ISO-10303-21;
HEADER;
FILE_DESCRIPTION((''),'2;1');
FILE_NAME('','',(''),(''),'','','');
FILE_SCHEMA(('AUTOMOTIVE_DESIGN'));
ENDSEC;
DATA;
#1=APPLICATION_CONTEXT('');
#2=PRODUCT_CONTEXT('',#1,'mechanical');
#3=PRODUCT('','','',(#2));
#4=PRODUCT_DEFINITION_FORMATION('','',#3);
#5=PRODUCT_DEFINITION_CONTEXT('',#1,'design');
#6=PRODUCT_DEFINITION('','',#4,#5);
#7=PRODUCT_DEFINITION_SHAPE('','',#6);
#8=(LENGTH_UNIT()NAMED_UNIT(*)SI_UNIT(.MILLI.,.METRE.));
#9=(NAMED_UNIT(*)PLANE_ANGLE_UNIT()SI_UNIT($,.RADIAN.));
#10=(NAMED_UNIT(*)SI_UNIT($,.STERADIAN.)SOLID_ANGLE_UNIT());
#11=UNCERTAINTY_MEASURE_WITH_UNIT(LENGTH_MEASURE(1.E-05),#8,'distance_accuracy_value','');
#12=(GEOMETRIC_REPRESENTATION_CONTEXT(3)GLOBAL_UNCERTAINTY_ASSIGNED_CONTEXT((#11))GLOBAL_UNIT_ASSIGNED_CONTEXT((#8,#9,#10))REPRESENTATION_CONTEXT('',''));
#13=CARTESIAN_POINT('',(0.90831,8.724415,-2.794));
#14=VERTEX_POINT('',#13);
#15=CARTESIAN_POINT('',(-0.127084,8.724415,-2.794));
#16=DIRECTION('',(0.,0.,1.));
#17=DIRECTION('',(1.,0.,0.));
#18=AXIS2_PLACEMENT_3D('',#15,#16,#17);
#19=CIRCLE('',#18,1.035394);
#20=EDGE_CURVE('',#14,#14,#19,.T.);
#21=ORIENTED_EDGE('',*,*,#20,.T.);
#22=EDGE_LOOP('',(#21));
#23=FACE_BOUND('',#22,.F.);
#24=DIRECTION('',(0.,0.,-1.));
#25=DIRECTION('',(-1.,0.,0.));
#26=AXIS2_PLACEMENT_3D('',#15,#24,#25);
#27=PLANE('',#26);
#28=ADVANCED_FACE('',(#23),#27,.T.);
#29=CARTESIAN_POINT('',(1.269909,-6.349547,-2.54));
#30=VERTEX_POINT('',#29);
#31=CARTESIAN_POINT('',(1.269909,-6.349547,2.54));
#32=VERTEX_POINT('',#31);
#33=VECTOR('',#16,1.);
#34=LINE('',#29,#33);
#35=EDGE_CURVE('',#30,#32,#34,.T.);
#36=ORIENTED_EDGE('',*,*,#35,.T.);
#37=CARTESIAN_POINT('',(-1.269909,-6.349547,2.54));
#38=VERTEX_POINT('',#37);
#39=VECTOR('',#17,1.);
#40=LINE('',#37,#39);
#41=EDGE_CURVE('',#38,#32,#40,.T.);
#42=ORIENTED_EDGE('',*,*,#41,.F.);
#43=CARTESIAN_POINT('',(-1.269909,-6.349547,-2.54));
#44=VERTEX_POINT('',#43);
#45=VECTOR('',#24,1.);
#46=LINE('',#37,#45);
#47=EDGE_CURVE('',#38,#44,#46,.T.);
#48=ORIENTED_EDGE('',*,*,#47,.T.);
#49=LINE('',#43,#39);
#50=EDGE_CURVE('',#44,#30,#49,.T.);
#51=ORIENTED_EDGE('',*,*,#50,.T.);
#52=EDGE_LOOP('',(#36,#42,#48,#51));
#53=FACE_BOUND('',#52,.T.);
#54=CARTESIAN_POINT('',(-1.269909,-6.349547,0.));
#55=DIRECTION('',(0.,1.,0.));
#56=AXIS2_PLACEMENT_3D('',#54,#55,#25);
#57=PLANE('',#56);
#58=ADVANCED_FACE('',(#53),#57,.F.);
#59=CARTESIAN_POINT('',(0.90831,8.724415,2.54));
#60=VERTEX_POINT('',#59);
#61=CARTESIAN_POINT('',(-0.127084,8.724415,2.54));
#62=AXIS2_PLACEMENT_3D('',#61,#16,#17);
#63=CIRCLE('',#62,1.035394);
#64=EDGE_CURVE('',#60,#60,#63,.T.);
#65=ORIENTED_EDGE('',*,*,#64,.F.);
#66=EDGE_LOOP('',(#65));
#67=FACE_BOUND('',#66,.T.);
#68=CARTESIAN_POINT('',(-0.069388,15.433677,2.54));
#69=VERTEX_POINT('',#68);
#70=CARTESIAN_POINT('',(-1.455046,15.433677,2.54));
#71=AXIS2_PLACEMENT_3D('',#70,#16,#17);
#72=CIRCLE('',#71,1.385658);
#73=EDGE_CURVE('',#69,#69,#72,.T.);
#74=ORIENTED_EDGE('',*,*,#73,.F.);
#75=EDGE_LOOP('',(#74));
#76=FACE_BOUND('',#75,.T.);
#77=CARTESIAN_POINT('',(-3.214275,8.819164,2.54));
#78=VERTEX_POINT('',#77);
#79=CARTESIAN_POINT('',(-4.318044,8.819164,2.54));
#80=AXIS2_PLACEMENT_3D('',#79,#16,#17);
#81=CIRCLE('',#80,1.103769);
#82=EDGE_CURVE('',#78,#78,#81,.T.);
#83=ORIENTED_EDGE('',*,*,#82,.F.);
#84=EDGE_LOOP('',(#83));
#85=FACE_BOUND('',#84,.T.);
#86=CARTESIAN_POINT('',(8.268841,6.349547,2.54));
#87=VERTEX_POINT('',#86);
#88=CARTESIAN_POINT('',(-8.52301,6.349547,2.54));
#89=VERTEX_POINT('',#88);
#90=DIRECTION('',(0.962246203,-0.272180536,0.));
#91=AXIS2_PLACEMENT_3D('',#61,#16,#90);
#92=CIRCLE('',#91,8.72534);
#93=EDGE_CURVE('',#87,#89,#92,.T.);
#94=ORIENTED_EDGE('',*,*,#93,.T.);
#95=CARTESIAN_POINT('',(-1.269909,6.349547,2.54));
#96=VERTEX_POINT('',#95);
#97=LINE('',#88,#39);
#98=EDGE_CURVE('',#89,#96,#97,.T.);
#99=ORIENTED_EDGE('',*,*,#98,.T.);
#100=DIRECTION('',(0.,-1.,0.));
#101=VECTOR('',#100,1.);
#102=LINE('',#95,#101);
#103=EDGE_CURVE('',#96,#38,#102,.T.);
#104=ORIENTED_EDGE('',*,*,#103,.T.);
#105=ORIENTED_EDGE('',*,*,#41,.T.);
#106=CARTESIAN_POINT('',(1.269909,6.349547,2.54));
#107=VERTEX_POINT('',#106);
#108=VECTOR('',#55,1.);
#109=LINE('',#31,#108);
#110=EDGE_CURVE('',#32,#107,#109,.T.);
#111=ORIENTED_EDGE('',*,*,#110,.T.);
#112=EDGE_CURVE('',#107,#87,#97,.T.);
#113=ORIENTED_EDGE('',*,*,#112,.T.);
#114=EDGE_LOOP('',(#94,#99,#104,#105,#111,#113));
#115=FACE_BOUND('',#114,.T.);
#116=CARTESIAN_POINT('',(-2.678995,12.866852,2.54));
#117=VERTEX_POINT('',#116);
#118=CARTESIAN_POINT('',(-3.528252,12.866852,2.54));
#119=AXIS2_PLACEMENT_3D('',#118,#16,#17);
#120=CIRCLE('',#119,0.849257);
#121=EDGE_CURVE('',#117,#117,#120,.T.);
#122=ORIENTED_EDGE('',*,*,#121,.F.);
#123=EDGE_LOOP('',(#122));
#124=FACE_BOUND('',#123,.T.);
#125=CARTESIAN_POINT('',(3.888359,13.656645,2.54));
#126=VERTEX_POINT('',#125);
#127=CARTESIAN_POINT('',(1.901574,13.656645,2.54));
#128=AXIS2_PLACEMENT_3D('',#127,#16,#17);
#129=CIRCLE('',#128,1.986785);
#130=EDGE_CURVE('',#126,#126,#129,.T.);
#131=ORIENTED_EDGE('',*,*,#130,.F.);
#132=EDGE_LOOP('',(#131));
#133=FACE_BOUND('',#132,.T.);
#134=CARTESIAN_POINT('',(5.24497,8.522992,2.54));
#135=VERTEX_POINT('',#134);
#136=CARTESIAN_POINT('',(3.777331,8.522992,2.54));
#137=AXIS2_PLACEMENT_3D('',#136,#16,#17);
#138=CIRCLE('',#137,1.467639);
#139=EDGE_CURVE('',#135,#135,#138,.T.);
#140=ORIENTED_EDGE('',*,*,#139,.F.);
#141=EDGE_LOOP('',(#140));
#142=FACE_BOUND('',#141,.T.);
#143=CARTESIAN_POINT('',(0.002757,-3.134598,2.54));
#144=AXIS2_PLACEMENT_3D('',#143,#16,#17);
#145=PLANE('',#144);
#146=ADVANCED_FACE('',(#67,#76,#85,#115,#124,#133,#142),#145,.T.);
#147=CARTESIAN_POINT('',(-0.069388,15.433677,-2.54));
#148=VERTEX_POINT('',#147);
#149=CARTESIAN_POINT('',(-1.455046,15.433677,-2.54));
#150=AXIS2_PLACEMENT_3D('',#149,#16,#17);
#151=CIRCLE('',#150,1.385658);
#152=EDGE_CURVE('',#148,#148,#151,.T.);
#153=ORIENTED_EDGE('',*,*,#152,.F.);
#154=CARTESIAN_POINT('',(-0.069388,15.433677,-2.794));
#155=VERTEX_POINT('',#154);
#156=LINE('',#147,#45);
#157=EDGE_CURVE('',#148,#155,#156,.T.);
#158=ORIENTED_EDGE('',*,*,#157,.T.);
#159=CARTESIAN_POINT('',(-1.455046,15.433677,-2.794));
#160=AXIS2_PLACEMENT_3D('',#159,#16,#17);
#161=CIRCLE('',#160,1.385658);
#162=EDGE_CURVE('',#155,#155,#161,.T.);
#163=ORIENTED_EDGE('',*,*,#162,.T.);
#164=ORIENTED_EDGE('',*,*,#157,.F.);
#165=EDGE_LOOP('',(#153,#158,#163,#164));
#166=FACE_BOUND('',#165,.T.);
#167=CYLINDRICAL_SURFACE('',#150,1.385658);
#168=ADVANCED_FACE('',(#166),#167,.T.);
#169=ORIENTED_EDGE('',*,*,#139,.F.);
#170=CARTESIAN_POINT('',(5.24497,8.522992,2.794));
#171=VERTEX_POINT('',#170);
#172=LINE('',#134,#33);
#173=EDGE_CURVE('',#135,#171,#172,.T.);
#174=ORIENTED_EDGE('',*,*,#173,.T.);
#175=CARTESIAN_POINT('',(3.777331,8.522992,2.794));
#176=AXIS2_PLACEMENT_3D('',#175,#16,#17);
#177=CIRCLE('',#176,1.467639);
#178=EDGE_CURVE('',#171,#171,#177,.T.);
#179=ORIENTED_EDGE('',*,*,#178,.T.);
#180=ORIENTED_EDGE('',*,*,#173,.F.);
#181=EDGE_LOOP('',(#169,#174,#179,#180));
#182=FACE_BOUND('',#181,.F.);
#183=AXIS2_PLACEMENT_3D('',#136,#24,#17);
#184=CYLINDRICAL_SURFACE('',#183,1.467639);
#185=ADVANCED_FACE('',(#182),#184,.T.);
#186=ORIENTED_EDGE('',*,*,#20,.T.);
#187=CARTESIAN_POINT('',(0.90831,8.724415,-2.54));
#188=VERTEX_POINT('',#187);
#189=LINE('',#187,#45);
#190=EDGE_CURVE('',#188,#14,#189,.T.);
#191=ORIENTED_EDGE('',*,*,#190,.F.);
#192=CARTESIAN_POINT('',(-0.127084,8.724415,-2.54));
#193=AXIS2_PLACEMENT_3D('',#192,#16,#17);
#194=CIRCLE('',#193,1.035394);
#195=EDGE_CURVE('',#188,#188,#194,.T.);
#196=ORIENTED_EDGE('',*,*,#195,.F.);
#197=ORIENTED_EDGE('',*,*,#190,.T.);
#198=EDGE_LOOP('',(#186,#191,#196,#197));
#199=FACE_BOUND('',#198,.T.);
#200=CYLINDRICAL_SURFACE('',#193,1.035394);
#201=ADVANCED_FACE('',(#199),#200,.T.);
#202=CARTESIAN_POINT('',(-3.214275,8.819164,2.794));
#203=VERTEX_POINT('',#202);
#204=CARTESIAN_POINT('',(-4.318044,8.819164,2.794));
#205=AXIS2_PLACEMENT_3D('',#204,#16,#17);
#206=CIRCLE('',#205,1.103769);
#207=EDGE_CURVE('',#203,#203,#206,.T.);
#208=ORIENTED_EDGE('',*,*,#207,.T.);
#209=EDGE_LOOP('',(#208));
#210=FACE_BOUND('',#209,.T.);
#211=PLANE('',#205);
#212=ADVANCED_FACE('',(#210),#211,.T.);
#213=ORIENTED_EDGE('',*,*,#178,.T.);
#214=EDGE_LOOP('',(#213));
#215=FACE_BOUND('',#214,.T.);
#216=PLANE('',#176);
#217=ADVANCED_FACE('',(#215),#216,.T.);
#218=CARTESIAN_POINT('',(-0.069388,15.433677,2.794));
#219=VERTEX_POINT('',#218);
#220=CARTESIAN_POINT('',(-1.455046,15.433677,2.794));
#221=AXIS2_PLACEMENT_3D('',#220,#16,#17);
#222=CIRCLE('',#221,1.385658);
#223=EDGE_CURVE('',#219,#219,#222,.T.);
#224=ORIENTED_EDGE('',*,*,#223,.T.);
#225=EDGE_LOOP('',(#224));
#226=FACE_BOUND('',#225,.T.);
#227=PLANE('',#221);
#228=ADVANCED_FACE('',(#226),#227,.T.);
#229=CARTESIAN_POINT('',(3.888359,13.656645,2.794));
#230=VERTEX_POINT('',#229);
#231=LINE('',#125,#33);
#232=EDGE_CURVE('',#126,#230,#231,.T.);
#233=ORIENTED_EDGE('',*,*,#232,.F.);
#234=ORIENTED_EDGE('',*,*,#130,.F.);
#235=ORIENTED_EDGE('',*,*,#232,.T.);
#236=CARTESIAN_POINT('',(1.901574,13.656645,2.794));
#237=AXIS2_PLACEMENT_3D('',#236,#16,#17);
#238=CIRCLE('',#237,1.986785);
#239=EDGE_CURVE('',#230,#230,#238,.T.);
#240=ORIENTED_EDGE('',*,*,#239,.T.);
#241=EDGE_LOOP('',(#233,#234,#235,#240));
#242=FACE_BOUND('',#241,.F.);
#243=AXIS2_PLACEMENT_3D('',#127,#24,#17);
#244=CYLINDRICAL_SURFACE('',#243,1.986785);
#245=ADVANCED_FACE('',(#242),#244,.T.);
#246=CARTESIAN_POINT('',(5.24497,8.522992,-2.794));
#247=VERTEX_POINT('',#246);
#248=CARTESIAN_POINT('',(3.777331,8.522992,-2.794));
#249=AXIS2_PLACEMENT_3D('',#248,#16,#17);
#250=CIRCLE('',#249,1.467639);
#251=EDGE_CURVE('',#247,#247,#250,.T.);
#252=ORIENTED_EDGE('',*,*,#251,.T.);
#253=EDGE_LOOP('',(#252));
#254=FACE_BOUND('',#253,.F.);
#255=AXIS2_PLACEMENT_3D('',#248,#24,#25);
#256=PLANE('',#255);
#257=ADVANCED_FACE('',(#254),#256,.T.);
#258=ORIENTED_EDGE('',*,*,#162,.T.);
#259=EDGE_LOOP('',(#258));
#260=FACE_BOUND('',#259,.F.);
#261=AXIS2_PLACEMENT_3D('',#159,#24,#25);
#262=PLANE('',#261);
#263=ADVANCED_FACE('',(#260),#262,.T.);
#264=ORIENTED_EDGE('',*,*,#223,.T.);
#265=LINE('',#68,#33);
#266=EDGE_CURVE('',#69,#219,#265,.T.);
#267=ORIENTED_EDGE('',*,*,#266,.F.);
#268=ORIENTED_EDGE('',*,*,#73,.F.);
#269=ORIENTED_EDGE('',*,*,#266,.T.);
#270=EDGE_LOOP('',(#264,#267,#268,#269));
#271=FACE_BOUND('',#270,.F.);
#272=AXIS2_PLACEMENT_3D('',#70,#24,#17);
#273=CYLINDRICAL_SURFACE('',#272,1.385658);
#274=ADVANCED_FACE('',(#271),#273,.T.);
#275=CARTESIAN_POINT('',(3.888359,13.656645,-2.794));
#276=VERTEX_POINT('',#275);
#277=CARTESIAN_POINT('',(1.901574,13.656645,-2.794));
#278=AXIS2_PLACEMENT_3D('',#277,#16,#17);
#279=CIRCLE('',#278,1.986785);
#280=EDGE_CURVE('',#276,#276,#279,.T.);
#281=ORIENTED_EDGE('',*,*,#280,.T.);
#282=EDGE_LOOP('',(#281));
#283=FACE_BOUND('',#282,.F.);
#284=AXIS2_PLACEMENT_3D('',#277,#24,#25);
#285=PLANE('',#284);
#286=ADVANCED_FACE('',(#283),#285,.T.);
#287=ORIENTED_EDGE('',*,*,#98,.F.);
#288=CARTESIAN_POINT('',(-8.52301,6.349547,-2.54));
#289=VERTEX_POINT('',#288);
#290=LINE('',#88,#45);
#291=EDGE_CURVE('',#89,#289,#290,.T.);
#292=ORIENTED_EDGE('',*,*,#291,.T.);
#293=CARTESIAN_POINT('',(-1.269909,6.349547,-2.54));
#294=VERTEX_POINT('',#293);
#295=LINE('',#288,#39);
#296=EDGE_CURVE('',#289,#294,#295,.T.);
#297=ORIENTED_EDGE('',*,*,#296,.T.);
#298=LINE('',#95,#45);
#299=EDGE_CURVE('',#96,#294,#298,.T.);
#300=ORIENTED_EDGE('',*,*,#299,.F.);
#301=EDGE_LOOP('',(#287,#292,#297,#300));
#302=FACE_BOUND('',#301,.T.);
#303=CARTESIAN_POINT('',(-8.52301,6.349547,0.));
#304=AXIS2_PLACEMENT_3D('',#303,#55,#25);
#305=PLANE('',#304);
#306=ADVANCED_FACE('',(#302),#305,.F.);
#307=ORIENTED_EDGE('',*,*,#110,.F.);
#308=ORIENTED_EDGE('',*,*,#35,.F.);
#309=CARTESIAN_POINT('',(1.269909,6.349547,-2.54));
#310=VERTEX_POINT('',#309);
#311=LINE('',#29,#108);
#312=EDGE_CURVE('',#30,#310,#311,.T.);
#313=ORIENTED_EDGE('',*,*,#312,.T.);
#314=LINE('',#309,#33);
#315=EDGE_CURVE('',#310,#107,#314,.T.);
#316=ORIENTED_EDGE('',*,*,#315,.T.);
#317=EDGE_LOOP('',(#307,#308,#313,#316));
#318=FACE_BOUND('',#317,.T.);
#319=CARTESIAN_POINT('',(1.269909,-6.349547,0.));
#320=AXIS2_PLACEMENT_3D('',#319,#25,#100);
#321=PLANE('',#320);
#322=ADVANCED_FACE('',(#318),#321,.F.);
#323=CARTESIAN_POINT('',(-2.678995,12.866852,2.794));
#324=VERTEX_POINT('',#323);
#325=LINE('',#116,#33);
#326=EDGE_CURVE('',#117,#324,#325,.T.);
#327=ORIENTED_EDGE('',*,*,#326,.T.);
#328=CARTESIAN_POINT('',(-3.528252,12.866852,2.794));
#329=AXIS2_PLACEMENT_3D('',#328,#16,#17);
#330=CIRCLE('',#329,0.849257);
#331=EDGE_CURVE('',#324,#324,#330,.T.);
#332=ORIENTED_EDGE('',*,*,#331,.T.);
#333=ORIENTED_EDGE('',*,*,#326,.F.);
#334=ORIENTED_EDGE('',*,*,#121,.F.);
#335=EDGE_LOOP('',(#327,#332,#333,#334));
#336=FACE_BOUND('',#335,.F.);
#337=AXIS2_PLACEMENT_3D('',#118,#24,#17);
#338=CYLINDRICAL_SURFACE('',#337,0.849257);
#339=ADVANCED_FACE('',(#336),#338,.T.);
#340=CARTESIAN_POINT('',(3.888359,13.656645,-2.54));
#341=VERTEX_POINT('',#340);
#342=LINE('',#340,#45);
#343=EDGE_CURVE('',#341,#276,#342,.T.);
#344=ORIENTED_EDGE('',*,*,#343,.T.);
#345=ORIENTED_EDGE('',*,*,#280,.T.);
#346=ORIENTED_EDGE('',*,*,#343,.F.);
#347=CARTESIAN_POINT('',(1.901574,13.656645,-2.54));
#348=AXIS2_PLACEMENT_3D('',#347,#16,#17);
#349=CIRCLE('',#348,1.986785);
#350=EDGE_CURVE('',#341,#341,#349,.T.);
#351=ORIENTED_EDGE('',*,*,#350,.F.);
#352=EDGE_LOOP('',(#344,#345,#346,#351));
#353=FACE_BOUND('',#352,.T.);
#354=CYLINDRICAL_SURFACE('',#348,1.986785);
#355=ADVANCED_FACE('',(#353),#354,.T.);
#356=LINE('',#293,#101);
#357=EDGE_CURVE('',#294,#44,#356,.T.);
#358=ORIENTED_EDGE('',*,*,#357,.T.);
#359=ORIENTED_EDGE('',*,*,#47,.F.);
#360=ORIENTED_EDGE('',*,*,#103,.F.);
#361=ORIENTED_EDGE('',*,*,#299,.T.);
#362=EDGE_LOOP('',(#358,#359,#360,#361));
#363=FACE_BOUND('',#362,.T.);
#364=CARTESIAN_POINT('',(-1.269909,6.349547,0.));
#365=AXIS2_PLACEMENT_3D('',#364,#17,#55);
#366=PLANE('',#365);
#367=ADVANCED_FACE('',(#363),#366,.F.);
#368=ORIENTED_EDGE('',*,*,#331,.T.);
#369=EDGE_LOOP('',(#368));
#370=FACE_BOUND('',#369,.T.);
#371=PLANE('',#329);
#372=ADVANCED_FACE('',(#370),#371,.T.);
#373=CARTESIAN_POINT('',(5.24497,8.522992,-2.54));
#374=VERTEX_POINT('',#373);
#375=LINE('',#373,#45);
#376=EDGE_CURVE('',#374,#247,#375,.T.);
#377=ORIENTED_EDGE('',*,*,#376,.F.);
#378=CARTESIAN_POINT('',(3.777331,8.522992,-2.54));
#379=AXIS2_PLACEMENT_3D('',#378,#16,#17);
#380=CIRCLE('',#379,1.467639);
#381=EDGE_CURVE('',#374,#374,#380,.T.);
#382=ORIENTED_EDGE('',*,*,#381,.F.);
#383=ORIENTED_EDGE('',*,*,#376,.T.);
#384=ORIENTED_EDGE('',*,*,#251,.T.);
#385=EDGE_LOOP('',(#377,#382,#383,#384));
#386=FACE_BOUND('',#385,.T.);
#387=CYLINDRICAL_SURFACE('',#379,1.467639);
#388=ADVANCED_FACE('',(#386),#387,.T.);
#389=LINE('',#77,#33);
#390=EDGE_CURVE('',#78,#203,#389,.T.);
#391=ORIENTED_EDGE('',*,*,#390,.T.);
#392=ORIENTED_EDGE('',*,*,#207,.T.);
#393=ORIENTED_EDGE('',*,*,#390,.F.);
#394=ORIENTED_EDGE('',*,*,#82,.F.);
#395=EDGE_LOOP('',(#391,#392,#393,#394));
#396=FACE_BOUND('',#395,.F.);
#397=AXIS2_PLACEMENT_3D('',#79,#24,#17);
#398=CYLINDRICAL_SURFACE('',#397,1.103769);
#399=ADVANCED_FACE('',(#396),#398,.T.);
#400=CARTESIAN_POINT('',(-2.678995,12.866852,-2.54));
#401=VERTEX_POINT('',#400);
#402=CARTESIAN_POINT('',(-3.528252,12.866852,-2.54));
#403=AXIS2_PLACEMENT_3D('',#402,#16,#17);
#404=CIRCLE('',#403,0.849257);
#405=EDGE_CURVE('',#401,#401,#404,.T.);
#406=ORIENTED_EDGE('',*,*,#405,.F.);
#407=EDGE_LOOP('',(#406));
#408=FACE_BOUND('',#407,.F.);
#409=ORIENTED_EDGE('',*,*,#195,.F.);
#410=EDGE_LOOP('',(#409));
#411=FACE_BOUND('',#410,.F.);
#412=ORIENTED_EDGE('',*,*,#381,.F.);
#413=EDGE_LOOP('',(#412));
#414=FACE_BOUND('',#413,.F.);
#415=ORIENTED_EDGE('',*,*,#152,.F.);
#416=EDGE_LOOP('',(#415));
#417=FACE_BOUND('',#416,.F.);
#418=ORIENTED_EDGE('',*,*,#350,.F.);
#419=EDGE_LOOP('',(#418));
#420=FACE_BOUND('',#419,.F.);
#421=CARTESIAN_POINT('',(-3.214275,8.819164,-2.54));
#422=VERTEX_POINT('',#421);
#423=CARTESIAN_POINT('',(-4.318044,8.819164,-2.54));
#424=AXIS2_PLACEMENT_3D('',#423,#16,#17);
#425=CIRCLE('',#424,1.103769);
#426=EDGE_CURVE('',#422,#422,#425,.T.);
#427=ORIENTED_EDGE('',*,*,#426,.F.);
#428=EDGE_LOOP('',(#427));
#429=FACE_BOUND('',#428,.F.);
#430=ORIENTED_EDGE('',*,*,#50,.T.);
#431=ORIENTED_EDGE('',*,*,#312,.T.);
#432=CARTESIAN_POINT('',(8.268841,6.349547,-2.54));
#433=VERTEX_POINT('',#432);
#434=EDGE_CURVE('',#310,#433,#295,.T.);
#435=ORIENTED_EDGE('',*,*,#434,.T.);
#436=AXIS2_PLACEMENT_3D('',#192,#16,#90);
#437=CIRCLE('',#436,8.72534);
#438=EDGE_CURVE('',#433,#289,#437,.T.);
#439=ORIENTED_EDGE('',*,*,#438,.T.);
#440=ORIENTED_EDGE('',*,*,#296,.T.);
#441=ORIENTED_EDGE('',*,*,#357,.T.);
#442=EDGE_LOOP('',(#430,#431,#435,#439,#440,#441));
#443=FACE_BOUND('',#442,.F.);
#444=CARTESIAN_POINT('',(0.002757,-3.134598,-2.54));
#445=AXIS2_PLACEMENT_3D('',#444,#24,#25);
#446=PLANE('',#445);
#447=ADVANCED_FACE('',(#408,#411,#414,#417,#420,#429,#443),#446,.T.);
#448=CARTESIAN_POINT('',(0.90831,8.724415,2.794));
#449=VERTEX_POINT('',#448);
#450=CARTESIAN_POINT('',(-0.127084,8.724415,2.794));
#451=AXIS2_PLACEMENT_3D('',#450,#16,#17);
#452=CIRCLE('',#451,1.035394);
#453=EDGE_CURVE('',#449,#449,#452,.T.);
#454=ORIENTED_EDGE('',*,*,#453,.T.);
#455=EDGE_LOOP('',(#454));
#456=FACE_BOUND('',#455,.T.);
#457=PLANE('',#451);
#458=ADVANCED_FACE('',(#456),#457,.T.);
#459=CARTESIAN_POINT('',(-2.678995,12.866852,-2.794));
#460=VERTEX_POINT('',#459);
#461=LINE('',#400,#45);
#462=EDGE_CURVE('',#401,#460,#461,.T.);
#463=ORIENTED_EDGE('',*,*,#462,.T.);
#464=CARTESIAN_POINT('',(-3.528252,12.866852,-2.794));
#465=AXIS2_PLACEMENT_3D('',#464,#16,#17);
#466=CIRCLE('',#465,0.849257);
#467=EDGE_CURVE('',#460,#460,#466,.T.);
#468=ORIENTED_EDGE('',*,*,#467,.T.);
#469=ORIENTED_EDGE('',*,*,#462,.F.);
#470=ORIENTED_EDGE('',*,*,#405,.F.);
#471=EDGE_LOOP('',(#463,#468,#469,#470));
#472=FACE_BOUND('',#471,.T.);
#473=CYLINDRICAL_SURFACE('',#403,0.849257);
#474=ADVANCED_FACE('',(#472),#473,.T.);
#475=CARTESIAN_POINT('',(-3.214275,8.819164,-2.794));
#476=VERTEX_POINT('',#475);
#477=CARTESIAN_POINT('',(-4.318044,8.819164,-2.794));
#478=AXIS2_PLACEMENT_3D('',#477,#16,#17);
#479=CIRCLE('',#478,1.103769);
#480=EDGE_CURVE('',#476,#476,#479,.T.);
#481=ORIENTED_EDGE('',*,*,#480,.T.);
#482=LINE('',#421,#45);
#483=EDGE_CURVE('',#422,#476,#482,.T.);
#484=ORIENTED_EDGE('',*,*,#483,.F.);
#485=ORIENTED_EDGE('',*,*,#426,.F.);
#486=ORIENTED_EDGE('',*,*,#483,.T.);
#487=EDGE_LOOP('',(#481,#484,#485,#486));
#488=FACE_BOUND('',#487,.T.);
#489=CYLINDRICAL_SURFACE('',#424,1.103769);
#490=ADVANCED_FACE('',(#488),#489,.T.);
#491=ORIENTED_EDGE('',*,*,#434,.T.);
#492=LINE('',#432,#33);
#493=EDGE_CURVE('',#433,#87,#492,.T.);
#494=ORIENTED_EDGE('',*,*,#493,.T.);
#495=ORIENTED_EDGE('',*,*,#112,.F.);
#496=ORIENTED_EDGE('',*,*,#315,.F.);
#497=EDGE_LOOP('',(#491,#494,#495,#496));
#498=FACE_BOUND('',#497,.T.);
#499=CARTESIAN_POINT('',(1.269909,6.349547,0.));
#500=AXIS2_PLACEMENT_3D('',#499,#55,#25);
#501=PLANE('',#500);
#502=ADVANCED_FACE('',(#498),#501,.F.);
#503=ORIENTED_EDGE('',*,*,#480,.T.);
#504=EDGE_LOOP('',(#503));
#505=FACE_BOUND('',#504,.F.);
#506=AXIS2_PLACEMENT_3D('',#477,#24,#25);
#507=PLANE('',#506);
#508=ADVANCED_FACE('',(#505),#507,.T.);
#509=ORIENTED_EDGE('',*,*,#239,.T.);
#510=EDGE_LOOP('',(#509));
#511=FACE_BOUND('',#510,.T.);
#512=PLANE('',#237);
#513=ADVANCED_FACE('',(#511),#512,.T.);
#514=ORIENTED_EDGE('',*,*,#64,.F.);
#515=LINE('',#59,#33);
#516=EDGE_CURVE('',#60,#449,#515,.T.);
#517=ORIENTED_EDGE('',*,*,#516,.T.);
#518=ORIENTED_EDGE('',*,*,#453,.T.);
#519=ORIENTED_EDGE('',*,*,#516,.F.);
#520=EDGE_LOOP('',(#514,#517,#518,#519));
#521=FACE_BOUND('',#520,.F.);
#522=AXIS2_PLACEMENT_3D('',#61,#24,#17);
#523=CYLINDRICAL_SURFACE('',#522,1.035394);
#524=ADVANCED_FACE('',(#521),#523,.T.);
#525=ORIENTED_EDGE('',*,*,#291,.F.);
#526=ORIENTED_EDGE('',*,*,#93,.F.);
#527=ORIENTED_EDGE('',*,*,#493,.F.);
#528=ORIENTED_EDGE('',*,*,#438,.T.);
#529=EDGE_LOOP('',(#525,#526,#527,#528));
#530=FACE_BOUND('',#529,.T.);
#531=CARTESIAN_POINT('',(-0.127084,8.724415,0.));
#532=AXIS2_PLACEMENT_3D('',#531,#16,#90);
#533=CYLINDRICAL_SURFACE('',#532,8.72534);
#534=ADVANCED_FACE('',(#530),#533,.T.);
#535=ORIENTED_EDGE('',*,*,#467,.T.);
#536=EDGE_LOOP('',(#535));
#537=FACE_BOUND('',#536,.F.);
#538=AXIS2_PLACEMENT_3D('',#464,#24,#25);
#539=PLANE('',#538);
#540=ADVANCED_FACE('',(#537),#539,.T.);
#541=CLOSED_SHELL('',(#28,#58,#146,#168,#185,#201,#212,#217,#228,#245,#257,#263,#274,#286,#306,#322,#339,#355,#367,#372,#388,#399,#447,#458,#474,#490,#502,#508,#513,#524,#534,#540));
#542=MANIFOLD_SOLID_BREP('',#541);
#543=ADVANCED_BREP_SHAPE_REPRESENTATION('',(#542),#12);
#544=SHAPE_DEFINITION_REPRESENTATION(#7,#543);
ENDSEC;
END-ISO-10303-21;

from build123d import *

# Parameters (mm, degrees)
F1_DEPTH = 2.54
F2_R     = 0.849257
F2_R_2   = 1.467639
F2_R_3   = 1.986785
F2_R_4   = 1.103769
F2_R_5   = 1.035394
F2_R_6   = 1.385658
F3_DEPTH = 0.254


with BuildPart() as f1:
    # F0 (on Top) → F1 (new body)
    with BuildSketch(Plane.XY):
        with BuildLine():
            Line((-1.269909, 0.074241), (-1.269909, -6.349547))
            Line((-1.269909, -6.349547), (1.269909, -6.349547))
            Line((1.269909, -6.349547), (1.269909, 0.111635))
            ThreePointArc((1.269909, 0.111635), (0.001368, 2e-05), (-1.269909, 0.074241))
        make_face()
        with BuildLine():
            Line((-1.269909, 6.349547), (-1.269909, 0.074241))
            ThreePointArc((-1.269909, 0.074241), (0.001368, 2e-05), (1.269909, 0.111635))
            Line((1.269909, 0.111635), (1.269909, 6.349547))
            Line((1.269909, 6.349547), (-1.269909, 6.349547))
        make_face()
        with BuildLine():
            Line((-8.52301, 6.349547), (-1.269909, 6.349547))
            Line((-1.269909, 6.349547), (1.269909, 6.349547))
            Line((1.269909, 6.349547), (8.268841, 6.349547))
            ThreePointArc((8.268841, 6.349547), (-0.127084, 17.449755), (-8.52301, 6.349547))
        make_face()
    extrude(amount=F1_DEPTH)

    # F2 (on face) → F3 (join)
    with BuildSketch(Plane.XY.offset(2.54)):
        with Locations((-3.528252, 12.866852)):
            Circle(F2_R)
        with Locations((3.777331, 8.522992)):
            Circle(F2_R_2)
        with Locations((1.901574, 13.656645)):
            Circle(F2_R_3)
        with Locations((-4.318044, 8.819164)):
            Circle(F2_R_4)
        with Locations((-0.127084, 8.724415)):
            Circle(F2_R_5)
        with Locations((-1.455046, 15.433677)):
            Circle(F2_R_6)
    extrude(amount=F3_DEPTH)

    # F4: F1 across plane


with BuildPart() as f1_1:
    add(f1.part)
    add(f1.part.mirror(Plane.XY))


solid = f1_1.part
